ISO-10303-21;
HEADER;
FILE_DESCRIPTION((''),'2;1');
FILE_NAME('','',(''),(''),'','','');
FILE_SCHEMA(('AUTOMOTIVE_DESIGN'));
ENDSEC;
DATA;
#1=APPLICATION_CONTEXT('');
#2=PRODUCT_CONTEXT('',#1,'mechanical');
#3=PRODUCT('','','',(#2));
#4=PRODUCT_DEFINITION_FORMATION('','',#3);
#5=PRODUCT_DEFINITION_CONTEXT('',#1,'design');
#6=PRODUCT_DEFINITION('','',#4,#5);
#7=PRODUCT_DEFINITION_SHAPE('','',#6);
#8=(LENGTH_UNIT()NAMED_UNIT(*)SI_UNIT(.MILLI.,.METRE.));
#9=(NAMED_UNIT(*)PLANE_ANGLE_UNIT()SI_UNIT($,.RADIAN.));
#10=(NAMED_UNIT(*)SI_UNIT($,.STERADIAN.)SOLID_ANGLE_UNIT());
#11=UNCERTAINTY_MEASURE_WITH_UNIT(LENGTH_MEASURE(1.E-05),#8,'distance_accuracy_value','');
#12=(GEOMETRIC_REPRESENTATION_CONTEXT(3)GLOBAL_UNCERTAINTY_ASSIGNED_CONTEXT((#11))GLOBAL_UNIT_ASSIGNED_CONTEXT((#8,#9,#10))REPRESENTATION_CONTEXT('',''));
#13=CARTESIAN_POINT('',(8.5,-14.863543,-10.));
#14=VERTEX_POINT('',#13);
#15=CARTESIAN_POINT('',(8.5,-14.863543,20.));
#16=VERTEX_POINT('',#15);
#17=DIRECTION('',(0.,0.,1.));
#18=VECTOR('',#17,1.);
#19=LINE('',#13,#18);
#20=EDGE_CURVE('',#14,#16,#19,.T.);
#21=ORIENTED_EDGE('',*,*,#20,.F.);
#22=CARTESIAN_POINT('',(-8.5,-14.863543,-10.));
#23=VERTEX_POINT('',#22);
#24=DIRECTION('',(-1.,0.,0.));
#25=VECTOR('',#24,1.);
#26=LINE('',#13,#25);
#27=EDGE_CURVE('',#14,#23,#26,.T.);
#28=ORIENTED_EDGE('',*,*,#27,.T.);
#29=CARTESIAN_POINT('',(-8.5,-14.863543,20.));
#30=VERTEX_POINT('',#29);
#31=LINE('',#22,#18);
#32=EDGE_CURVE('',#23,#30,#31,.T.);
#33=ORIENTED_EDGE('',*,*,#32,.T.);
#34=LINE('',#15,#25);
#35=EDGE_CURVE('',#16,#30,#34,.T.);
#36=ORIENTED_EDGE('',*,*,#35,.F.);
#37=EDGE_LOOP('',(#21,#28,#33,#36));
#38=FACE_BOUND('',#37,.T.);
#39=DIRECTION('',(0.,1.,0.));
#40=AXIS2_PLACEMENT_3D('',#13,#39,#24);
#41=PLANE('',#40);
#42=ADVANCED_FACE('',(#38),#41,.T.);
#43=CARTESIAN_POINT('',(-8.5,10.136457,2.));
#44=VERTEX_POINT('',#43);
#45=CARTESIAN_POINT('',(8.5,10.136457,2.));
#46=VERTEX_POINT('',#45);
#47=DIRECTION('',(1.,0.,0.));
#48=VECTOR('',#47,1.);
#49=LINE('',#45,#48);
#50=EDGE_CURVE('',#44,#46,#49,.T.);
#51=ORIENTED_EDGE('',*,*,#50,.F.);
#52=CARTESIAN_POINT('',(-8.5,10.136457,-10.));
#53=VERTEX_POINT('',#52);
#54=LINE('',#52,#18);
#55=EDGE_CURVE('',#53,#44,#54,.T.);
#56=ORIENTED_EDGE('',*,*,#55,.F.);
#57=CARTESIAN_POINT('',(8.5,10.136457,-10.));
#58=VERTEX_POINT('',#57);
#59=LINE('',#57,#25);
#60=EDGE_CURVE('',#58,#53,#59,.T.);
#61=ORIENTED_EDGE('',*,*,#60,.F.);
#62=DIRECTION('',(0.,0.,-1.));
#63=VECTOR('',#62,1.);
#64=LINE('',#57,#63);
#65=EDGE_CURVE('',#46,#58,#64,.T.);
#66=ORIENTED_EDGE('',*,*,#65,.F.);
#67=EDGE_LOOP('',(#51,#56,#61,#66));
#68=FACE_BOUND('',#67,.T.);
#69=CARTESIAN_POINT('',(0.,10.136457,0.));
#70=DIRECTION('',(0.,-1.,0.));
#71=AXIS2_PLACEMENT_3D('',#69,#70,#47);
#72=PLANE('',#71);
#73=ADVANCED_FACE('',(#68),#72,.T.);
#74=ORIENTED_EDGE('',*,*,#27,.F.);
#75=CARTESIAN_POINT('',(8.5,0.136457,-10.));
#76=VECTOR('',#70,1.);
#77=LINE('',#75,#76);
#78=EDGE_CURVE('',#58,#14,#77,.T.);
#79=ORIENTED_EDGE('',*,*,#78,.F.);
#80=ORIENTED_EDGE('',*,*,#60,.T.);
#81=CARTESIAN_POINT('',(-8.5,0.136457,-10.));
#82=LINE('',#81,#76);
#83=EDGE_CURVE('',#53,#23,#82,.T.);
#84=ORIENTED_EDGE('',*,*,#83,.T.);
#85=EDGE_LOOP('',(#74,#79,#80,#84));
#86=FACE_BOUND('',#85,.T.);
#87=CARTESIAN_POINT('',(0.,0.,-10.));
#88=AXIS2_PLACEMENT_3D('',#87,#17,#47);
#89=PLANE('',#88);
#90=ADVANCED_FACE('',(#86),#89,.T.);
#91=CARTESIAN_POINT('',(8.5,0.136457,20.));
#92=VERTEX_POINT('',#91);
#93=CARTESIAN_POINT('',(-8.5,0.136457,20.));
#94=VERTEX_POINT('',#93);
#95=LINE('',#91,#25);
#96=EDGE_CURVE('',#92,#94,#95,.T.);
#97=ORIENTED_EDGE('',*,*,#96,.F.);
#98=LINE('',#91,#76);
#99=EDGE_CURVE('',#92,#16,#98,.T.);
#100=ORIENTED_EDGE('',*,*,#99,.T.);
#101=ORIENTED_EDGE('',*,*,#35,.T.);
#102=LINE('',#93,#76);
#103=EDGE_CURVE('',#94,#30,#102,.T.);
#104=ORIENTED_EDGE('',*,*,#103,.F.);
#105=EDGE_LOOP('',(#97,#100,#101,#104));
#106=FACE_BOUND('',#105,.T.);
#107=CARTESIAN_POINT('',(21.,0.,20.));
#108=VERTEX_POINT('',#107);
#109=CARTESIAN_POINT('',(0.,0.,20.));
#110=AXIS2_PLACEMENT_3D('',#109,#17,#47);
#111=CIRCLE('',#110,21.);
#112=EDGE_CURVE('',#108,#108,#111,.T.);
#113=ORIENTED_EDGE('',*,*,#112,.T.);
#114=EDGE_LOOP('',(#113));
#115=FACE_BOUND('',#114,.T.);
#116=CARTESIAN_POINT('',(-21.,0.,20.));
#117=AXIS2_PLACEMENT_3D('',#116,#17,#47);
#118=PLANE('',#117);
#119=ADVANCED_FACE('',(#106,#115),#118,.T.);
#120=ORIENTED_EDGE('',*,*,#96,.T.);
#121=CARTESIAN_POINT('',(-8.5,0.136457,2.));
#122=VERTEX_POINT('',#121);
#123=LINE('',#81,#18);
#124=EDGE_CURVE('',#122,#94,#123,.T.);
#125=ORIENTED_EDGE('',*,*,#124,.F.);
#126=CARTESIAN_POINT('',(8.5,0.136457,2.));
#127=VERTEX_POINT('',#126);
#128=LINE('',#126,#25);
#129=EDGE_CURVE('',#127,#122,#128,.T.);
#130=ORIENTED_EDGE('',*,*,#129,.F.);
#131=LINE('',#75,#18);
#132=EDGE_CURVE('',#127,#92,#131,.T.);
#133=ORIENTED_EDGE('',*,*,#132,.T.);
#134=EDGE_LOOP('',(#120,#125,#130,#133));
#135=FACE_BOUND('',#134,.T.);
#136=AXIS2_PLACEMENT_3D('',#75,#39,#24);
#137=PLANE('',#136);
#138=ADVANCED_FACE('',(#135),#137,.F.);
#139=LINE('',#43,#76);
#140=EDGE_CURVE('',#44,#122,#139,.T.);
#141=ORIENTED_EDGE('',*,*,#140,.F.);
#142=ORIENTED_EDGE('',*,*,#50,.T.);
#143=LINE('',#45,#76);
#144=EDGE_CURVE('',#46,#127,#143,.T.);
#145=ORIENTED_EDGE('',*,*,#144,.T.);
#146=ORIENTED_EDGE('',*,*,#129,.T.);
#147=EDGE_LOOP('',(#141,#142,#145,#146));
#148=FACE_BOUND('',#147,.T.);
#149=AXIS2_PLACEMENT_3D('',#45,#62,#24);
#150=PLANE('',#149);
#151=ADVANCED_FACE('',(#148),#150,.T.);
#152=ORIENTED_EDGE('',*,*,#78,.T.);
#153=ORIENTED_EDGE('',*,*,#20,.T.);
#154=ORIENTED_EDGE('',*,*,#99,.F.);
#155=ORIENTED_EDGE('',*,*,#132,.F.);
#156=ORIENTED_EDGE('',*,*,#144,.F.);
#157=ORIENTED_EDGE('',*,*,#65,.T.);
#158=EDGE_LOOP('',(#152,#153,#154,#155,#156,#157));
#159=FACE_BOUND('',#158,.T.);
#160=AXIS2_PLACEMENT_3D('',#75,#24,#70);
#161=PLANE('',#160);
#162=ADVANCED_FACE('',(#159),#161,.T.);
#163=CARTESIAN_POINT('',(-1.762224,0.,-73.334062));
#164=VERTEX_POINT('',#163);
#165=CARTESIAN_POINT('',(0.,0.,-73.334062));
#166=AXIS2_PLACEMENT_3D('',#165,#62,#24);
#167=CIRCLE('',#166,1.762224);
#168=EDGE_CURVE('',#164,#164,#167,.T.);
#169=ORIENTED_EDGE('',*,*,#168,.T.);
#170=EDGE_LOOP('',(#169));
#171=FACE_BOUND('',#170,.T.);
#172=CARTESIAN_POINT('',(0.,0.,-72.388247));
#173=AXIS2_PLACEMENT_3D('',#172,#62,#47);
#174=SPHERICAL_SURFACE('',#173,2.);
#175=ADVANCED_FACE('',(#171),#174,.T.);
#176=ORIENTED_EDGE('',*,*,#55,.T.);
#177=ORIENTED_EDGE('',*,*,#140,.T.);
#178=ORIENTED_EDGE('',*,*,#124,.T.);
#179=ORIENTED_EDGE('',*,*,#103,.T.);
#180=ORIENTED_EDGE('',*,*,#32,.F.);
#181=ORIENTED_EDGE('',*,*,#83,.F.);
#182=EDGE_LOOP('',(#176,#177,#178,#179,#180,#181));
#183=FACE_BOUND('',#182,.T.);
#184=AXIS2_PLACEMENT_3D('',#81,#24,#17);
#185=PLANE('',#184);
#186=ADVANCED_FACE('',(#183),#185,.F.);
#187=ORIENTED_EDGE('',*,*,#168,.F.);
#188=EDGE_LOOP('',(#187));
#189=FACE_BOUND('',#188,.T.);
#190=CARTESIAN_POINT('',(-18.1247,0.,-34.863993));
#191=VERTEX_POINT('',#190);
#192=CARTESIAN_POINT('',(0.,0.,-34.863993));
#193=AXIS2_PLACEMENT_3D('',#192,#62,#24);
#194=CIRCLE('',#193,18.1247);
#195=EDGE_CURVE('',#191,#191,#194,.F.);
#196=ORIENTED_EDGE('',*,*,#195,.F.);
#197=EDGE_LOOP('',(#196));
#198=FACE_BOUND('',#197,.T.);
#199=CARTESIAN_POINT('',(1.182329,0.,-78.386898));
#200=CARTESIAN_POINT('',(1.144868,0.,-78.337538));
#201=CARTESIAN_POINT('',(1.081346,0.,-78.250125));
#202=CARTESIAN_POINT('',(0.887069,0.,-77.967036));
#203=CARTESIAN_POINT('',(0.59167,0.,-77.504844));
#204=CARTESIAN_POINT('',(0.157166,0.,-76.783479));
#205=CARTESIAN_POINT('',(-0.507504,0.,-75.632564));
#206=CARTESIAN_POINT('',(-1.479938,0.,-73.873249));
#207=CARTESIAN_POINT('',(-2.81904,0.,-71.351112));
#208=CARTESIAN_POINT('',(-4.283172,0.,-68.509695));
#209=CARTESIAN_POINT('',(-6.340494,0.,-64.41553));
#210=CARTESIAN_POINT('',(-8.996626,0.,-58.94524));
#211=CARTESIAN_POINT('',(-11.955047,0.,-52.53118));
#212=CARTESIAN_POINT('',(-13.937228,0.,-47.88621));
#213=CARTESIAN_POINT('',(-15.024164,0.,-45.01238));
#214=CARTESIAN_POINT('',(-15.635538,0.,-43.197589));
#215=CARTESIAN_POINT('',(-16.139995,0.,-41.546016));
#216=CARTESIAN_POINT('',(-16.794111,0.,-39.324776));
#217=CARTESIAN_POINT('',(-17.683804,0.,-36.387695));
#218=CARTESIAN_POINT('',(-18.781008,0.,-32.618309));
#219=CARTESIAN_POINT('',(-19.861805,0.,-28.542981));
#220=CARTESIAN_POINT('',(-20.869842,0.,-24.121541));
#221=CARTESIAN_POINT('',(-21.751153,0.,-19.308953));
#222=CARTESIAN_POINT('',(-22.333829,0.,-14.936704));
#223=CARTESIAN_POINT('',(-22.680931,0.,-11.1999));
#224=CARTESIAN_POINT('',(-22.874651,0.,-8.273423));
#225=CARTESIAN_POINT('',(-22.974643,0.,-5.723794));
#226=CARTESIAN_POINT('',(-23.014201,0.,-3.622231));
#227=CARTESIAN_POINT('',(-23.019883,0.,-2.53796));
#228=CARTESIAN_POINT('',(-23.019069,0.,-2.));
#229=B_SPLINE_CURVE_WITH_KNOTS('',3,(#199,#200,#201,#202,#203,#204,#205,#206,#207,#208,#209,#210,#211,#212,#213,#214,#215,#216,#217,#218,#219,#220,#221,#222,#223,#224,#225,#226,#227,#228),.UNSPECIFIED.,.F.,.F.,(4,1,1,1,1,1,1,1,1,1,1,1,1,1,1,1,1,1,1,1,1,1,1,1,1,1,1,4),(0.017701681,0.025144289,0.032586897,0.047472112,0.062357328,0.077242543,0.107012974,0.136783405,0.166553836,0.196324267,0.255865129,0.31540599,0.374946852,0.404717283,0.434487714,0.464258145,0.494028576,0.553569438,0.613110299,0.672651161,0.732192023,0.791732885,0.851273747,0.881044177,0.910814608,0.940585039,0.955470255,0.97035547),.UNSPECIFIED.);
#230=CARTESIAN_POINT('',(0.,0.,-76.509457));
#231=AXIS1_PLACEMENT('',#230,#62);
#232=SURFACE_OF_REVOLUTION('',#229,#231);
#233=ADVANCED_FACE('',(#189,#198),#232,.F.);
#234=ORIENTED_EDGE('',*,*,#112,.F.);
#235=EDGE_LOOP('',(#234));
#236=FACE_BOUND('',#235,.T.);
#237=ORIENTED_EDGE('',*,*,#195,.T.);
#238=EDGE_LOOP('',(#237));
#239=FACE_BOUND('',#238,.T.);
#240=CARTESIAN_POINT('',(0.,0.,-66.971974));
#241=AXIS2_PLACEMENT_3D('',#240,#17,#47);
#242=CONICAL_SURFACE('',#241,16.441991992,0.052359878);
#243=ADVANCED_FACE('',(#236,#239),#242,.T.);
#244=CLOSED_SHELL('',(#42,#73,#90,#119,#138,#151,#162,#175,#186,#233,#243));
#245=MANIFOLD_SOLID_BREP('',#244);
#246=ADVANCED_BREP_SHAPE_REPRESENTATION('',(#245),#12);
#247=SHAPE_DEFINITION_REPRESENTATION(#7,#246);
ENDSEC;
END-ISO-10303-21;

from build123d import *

# Parameters (mm, degrees)
SKETCH_4_W          = 17
SKETCH_4_H          = 15
CUT_EXTRUDE_1_DEPTH = 30
SKETCH_5_W          = 17
SKETCH_5_H          = 12
CUT_EXTRUDE_2_DEPTH = 25


with BuildPart() as part:
    # Эскиз1 → Повернуть1 (revolve)
    with BuildSketch(Plane(origin=(0, 0, 0), x_dir=(1, 0, 0), z_dir=(0, 1, 0))):
        with BuildLine():
            Line((-21, -20), (0, -20))
            Line((0, -20), (0, 76.509456591))
            add(Edge.make_bspline(
                [(-21, 23.303526799), (-20.950151988, 23.55619715), (-20.588242456, 25.356689417), (-19.861805291, 28.542980585), (-18.781007648, 32.618309393), (-17.683803917, 36.387694686), (-16.794111183, 39.324775715), (-16.139995318, 41.546015667), (-15.635538449, 43.197589032), (-15.024163935, 45.012380328), (-13.937228163, 47.886209516), (-11.955046686, 52.531179902), (-8.996626021, 58.945239937), (-6.340494309, 64.415530495), (-4.283171781, 68.509695264), (-2.81904039, 71.351111958), (-1.479938004, 73.873249362), (-0.567336195, 75.524317414), (-0.112134261, 76.316693352), (0, 76.509456591)],
                knots=[0.246223276, 0.246223276, 0.246223276, 0.246223276, 0.255865129, 0.31540599, 0.374946852, 0.434487714, 0.494028576, 0.523799007, 0.553569438, 0.583339868, 0.613110299, 0.672651161, 0.732192023, 0.791732885, 0.821503316, 0.851273747, 0.881044177, 0.910814608, 0.921120543, 0.921120543, 0.921120543, 0.921120543], degree=3))
            Line((-21, 23.303526799), (-21, -20))
        make_face()
    revolve(axis=Axis((0, 0, -76.509456591), (0, 0, 1)))

    # Эскиз2 → Вырез-Повернуть1 (revolve, cut)
    with BuildSketch(Plane(origin=(0, 0, 0), x_dir=(1, 0, 0), z_dir=(0, 1, 0))):
        Polygon((21, -20), (21, 66.971973821), (16.441991992, 66.971973821), align=None)
    revolve(axis=Axis((0, 0, 20), (0, 0, -1)), mode=Mode.SUBTRACT)

    # Эскиз3 → Вырез-Повернуть2 (revolve, cut)
    with BuildSketch(Plane(origin=(0, 0, 0), x_dir=(1, 0, 0), z_dir=(0, 1, 0))):
        with BuildLine():
            Line((1e-08, 76.509474859), (1e-08, 74.388246536))
            ThreePointArc((1e-08, 74.388246536), (1.026734817, 74.10458439), (1.762223825, 73.334062167))
            Line((1.762223825, 73.334062167), (4.025925166, 73.334062167))
            Line((4.025925166, 73.334062167), (4.025925166, 76.509474859))
            Line((4.025925166, 76.509474859), (1e-08, 76.509474859))
        make_face()
    revolve(axis=Axis((1e-08, 0, -76.509474859), (0, 0, 1)), mode=Mode.SUBTRACT)

    # Эскиз4 → Вырез-Вытянуть1 (cut)
    with BuildSketch(Plane.XY.offset(20)):
        with Locations((0, -7.363542794)):
            Rectangle(SKETCH_4_W, SKETCH_4_H)
    extrude(amount=-CUT_EXTRUDE_1_DEPTH, mode=Mode.SUBTRACT)

    # Эскиз5 → Вырез-Вытянуть2 (cut)
    with BuildSketch(Plane(origin=(0, -14.863542794, 0), x_dir=(1, 0, 0), z_dir=(0, 1, 0))):
        with Locations((0, 4)):
            Rectangle(SKETCH_5_W, SKETCH_5_H)
    extrude(amount=CUT_EXTRUDE_2_DEPTH, mode=Mode.SUBTRACT)


solid = part.part
